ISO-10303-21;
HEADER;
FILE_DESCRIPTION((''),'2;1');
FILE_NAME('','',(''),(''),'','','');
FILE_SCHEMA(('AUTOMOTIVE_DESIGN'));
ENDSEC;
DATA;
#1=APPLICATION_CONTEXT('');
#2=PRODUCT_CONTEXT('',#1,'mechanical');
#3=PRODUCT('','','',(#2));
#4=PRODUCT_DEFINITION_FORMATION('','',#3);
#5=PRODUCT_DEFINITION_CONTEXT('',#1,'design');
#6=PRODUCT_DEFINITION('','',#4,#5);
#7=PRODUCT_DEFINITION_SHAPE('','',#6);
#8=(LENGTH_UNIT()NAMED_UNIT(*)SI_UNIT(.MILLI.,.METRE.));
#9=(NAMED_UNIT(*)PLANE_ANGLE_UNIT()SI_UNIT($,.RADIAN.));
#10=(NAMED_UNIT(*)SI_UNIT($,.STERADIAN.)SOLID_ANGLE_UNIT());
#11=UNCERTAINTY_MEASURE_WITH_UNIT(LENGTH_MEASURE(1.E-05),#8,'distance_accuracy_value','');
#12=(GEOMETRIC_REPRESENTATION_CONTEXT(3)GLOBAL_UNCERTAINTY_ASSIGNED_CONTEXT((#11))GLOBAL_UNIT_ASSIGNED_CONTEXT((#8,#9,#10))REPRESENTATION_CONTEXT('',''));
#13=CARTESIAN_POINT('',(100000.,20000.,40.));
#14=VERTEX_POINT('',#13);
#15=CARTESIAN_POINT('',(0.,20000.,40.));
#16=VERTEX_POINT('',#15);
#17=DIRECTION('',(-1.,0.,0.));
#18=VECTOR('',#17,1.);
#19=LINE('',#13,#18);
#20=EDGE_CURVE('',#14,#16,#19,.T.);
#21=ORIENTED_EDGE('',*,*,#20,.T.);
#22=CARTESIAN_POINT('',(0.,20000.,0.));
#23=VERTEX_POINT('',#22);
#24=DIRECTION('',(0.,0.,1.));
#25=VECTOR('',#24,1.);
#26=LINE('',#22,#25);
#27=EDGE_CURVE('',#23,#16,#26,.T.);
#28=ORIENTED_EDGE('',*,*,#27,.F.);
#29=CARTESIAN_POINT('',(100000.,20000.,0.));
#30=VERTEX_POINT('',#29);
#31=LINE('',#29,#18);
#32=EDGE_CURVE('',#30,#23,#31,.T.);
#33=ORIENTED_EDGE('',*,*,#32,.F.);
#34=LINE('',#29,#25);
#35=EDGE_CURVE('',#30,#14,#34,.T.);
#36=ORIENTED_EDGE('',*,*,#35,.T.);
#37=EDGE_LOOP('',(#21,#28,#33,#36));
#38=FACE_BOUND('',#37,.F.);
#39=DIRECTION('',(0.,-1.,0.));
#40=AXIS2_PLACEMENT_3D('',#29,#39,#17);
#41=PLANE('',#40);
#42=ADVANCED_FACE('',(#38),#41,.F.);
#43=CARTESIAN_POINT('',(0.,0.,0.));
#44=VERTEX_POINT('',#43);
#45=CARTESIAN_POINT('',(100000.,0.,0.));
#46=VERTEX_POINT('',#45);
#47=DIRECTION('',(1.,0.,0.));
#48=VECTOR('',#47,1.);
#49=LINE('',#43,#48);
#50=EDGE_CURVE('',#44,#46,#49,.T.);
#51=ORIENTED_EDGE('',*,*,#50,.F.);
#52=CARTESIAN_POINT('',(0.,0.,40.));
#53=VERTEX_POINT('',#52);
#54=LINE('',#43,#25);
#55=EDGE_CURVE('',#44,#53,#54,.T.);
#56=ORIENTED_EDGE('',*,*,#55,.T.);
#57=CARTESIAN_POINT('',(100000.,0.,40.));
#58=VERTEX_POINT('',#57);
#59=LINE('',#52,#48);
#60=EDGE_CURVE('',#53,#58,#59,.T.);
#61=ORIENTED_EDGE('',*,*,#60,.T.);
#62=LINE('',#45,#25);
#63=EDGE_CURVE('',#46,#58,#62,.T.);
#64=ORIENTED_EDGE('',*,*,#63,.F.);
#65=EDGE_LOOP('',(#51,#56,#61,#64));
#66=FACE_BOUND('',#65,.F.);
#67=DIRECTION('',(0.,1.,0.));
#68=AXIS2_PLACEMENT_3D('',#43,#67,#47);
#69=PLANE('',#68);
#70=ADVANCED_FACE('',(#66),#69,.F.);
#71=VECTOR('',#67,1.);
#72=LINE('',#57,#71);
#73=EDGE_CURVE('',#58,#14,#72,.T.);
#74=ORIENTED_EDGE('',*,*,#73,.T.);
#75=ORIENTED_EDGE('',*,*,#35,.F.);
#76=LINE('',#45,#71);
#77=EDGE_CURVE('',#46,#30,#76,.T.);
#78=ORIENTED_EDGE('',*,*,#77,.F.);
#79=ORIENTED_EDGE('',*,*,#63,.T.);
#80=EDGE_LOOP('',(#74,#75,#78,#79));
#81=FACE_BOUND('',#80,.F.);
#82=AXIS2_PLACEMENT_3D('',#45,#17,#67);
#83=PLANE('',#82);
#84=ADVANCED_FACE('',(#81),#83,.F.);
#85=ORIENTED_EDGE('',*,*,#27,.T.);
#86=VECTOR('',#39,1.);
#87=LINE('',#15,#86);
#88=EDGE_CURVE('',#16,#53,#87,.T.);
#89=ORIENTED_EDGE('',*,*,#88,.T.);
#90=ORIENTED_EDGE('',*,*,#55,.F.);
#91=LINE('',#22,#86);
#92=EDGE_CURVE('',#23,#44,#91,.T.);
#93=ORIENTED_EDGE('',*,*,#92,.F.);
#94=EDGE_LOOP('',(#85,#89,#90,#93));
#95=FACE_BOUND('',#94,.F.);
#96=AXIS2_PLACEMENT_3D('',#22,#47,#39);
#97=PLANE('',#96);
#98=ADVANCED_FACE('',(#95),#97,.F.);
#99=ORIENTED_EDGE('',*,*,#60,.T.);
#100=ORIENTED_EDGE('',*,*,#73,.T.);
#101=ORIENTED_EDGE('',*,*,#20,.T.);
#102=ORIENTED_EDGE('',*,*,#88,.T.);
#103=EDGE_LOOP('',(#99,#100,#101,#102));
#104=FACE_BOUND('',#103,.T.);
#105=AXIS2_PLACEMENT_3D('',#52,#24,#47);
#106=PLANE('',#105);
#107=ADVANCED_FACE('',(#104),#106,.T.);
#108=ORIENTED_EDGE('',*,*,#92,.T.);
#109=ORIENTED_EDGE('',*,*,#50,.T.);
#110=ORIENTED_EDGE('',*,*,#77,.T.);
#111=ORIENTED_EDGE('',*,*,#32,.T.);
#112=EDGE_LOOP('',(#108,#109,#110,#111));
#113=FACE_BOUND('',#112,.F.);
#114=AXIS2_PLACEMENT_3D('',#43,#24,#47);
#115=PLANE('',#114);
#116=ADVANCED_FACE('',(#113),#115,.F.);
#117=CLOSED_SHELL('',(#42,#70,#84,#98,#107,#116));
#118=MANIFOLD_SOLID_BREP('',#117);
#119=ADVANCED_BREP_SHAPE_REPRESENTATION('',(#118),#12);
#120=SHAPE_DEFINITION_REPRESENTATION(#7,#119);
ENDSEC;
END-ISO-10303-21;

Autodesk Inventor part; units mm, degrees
ref_plane "YZ Plane" through (0, 0, 0) normal (1, 0, 0) x (0, 1, 0)
ref_plane "XZ Plane" through (0, 0, 0) normal (0, 1, 0) x (-1, 0, 0)
ref_plane "XY Plane" through (0, 0, 0) normal (0, 0, 1) x (1, 0, 0)
sketch "Sketch2" plane through (0, 0, 0) normal (0, 0, 1) x (1, 0, 0)
  line L0 (0, 0) -> (100000, 0)
  line L1 (100000, 0) -> (100000, 20000)
  line L2 (100000, 20000) -> (0, 20000)
  line L3 (0, 20000) -> (0, 0)
  dimension "d0" = 100000
  dimension "d1" = 20000
extrude "Extrusion1" add sketch "Sketch2" along normal blind 40
properties part number "wall"
